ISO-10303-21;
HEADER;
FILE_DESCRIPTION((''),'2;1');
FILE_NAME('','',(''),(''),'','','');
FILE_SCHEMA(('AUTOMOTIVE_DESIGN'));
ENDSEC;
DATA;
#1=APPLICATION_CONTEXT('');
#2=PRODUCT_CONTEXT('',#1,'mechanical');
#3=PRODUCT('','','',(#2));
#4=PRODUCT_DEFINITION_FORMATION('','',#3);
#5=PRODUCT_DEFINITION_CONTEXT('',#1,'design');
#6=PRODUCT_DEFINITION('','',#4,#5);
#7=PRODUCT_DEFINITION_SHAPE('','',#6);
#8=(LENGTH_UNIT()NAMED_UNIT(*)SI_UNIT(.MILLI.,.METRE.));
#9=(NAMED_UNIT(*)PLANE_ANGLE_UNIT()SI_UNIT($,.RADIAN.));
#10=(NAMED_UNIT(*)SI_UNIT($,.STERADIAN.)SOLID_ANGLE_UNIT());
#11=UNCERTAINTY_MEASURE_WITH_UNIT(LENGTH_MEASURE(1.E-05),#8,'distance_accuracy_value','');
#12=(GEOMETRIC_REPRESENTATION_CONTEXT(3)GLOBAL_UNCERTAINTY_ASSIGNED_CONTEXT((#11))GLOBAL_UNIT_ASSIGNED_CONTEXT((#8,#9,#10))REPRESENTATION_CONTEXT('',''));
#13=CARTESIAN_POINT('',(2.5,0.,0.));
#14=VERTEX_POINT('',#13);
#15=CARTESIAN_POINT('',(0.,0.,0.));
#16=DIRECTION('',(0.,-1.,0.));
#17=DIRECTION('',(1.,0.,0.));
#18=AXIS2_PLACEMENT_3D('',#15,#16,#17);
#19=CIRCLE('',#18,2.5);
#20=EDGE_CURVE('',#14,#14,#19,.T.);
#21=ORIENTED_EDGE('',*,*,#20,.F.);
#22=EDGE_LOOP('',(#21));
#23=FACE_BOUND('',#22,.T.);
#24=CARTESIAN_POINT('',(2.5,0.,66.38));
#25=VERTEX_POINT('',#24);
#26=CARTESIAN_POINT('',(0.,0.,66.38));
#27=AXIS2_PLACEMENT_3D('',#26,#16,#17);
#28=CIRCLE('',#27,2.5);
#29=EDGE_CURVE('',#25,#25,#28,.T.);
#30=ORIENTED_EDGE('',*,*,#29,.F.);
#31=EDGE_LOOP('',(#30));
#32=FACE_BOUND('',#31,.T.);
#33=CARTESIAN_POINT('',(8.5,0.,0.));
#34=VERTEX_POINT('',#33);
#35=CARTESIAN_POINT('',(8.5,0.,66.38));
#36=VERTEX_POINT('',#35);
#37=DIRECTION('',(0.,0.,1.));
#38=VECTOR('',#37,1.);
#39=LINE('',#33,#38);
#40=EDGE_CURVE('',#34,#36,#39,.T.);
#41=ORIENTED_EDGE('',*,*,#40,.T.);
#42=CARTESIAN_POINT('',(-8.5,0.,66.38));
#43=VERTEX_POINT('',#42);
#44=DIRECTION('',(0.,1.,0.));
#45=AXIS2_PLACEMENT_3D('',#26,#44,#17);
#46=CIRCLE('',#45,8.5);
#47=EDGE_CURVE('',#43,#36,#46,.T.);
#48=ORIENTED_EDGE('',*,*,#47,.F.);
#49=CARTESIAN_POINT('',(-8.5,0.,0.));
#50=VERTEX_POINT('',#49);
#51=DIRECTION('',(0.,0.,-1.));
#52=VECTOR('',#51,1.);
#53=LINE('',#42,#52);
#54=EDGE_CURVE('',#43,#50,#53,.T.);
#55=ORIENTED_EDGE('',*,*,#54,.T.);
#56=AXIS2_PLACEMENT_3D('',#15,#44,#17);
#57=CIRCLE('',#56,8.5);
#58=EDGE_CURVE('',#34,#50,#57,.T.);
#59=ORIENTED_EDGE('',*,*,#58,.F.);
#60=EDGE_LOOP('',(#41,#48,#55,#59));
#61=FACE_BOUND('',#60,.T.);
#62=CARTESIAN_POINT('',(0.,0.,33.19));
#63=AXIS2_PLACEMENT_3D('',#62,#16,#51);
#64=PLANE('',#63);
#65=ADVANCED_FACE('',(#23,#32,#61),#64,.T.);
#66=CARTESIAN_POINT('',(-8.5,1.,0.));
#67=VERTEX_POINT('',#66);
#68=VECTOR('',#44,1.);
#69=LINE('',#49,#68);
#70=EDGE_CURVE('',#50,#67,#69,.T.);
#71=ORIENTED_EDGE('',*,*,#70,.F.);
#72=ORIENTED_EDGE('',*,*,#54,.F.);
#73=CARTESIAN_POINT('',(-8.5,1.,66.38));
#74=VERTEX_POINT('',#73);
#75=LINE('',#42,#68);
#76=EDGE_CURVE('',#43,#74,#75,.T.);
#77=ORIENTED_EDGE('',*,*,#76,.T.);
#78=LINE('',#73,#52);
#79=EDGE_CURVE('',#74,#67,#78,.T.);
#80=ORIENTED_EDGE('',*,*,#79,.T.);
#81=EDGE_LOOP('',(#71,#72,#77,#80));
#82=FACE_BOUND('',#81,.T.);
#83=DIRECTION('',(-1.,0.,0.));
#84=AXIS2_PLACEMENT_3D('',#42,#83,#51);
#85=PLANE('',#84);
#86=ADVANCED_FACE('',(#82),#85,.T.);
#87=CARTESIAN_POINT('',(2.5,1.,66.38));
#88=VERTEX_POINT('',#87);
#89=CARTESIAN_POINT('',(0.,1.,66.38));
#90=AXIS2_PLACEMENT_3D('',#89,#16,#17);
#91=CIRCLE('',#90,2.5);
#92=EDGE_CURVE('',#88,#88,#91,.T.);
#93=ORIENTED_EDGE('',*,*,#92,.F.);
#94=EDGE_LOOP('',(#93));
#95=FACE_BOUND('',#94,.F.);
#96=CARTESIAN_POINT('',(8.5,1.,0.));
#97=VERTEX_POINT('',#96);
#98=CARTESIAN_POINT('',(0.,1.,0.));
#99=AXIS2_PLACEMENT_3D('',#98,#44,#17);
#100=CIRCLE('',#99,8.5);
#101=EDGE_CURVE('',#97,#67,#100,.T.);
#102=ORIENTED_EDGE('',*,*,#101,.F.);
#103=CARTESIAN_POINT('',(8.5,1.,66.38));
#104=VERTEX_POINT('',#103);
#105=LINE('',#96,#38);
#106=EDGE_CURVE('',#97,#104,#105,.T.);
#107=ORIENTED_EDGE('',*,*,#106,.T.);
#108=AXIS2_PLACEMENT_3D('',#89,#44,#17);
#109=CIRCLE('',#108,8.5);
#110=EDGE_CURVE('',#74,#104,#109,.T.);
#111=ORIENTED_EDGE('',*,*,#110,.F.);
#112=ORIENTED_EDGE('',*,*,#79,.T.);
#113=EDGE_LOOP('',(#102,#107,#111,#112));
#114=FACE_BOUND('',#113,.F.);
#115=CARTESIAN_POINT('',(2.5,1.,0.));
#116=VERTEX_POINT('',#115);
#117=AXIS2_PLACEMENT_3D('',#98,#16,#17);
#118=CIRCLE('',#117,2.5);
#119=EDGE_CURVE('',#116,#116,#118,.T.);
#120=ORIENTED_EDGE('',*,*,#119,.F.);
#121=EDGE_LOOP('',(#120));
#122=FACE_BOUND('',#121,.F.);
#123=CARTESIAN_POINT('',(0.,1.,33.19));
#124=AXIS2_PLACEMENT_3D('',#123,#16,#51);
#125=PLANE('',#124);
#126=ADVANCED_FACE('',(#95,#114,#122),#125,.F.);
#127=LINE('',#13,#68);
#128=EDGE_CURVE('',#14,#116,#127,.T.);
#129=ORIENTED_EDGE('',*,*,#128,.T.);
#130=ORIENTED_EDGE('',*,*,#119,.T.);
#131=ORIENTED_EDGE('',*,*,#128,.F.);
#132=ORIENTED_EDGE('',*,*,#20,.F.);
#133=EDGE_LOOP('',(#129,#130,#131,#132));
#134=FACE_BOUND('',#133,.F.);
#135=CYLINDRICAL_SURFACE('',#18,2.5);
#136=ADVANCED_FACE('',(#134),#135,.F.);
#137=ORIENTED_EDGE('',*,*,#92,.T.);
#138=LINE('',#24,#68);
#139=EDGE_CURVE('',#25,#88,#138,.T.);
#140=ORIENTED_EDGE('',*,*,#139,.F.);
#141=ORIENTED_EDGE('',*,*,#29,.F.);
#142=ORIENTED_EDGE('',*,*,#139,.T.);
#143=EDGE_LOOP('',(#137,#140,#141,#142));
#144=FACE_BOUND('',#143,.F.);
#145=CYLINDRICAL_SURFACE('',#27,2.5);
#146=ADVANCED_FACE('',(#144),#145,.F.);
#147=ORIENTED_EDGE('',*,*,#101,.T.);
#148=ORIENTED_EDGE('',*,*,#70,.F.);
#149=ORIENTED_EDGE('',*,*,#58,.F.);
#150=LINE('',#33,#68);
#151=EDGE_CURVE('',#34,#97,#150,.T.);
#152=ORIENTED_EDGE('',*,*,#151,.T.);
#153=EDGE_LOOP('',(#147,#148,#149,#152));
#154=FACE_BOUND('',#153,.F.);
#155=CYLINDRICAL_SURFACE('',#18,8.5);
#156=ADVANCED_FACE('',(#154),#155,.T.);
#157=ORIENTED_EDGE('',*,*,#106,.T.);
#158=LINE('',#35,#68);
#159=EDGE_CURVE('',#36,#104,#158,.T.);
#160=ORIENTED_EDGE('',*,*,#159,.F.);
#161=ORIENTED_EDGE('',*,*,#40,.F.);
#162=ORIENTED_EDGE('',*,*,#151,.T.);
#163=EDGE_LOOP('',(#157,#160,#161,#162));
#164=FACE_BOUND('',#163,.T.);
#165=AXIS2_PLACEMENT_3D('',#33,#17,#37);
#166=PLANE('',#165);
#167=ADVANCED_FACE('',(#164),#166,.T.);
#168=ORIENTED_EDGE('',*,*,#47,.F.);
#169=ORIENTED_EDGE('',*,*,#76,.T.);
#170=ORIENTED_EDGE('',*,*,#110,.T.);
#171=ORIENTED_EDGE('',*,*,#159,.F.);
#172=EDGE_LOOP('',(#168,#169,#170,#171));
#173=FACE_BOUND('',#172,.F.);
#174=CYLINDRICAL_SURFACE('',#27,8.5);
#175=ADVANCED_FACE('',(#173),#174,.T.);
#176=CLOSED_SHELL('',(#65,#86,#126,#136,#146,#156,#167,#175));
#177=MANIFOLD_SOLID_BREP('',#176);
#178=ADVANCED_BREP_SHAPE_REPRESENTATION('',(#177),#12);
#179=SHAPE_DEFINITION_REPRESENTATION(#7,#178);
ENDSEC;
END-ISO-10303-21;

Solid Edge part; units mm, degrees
sketch "Sketch1" plane through (0, 0, 0) normal (0, -1, 0) x (1, 0, 0)
  line L0 (8.5, 0) -> (8.5, 66.38)
  line L1 (-8.5, 66.38) -> (-8.5, 0)
  arc A0 (-8.5, 66.38) -> (8.5, 66.38) centre (0, 66.38) cw
  arc A1 (8.5, 0) -> (-8.5, 0) centre (0, 0) cw
  circle A2 centre (0, 66.38) radius 2.5
  circle A3 centre (0, 0) radius 2.5
extrude "Protrusion1" add sketch "Sketch1" against normal blind 1
